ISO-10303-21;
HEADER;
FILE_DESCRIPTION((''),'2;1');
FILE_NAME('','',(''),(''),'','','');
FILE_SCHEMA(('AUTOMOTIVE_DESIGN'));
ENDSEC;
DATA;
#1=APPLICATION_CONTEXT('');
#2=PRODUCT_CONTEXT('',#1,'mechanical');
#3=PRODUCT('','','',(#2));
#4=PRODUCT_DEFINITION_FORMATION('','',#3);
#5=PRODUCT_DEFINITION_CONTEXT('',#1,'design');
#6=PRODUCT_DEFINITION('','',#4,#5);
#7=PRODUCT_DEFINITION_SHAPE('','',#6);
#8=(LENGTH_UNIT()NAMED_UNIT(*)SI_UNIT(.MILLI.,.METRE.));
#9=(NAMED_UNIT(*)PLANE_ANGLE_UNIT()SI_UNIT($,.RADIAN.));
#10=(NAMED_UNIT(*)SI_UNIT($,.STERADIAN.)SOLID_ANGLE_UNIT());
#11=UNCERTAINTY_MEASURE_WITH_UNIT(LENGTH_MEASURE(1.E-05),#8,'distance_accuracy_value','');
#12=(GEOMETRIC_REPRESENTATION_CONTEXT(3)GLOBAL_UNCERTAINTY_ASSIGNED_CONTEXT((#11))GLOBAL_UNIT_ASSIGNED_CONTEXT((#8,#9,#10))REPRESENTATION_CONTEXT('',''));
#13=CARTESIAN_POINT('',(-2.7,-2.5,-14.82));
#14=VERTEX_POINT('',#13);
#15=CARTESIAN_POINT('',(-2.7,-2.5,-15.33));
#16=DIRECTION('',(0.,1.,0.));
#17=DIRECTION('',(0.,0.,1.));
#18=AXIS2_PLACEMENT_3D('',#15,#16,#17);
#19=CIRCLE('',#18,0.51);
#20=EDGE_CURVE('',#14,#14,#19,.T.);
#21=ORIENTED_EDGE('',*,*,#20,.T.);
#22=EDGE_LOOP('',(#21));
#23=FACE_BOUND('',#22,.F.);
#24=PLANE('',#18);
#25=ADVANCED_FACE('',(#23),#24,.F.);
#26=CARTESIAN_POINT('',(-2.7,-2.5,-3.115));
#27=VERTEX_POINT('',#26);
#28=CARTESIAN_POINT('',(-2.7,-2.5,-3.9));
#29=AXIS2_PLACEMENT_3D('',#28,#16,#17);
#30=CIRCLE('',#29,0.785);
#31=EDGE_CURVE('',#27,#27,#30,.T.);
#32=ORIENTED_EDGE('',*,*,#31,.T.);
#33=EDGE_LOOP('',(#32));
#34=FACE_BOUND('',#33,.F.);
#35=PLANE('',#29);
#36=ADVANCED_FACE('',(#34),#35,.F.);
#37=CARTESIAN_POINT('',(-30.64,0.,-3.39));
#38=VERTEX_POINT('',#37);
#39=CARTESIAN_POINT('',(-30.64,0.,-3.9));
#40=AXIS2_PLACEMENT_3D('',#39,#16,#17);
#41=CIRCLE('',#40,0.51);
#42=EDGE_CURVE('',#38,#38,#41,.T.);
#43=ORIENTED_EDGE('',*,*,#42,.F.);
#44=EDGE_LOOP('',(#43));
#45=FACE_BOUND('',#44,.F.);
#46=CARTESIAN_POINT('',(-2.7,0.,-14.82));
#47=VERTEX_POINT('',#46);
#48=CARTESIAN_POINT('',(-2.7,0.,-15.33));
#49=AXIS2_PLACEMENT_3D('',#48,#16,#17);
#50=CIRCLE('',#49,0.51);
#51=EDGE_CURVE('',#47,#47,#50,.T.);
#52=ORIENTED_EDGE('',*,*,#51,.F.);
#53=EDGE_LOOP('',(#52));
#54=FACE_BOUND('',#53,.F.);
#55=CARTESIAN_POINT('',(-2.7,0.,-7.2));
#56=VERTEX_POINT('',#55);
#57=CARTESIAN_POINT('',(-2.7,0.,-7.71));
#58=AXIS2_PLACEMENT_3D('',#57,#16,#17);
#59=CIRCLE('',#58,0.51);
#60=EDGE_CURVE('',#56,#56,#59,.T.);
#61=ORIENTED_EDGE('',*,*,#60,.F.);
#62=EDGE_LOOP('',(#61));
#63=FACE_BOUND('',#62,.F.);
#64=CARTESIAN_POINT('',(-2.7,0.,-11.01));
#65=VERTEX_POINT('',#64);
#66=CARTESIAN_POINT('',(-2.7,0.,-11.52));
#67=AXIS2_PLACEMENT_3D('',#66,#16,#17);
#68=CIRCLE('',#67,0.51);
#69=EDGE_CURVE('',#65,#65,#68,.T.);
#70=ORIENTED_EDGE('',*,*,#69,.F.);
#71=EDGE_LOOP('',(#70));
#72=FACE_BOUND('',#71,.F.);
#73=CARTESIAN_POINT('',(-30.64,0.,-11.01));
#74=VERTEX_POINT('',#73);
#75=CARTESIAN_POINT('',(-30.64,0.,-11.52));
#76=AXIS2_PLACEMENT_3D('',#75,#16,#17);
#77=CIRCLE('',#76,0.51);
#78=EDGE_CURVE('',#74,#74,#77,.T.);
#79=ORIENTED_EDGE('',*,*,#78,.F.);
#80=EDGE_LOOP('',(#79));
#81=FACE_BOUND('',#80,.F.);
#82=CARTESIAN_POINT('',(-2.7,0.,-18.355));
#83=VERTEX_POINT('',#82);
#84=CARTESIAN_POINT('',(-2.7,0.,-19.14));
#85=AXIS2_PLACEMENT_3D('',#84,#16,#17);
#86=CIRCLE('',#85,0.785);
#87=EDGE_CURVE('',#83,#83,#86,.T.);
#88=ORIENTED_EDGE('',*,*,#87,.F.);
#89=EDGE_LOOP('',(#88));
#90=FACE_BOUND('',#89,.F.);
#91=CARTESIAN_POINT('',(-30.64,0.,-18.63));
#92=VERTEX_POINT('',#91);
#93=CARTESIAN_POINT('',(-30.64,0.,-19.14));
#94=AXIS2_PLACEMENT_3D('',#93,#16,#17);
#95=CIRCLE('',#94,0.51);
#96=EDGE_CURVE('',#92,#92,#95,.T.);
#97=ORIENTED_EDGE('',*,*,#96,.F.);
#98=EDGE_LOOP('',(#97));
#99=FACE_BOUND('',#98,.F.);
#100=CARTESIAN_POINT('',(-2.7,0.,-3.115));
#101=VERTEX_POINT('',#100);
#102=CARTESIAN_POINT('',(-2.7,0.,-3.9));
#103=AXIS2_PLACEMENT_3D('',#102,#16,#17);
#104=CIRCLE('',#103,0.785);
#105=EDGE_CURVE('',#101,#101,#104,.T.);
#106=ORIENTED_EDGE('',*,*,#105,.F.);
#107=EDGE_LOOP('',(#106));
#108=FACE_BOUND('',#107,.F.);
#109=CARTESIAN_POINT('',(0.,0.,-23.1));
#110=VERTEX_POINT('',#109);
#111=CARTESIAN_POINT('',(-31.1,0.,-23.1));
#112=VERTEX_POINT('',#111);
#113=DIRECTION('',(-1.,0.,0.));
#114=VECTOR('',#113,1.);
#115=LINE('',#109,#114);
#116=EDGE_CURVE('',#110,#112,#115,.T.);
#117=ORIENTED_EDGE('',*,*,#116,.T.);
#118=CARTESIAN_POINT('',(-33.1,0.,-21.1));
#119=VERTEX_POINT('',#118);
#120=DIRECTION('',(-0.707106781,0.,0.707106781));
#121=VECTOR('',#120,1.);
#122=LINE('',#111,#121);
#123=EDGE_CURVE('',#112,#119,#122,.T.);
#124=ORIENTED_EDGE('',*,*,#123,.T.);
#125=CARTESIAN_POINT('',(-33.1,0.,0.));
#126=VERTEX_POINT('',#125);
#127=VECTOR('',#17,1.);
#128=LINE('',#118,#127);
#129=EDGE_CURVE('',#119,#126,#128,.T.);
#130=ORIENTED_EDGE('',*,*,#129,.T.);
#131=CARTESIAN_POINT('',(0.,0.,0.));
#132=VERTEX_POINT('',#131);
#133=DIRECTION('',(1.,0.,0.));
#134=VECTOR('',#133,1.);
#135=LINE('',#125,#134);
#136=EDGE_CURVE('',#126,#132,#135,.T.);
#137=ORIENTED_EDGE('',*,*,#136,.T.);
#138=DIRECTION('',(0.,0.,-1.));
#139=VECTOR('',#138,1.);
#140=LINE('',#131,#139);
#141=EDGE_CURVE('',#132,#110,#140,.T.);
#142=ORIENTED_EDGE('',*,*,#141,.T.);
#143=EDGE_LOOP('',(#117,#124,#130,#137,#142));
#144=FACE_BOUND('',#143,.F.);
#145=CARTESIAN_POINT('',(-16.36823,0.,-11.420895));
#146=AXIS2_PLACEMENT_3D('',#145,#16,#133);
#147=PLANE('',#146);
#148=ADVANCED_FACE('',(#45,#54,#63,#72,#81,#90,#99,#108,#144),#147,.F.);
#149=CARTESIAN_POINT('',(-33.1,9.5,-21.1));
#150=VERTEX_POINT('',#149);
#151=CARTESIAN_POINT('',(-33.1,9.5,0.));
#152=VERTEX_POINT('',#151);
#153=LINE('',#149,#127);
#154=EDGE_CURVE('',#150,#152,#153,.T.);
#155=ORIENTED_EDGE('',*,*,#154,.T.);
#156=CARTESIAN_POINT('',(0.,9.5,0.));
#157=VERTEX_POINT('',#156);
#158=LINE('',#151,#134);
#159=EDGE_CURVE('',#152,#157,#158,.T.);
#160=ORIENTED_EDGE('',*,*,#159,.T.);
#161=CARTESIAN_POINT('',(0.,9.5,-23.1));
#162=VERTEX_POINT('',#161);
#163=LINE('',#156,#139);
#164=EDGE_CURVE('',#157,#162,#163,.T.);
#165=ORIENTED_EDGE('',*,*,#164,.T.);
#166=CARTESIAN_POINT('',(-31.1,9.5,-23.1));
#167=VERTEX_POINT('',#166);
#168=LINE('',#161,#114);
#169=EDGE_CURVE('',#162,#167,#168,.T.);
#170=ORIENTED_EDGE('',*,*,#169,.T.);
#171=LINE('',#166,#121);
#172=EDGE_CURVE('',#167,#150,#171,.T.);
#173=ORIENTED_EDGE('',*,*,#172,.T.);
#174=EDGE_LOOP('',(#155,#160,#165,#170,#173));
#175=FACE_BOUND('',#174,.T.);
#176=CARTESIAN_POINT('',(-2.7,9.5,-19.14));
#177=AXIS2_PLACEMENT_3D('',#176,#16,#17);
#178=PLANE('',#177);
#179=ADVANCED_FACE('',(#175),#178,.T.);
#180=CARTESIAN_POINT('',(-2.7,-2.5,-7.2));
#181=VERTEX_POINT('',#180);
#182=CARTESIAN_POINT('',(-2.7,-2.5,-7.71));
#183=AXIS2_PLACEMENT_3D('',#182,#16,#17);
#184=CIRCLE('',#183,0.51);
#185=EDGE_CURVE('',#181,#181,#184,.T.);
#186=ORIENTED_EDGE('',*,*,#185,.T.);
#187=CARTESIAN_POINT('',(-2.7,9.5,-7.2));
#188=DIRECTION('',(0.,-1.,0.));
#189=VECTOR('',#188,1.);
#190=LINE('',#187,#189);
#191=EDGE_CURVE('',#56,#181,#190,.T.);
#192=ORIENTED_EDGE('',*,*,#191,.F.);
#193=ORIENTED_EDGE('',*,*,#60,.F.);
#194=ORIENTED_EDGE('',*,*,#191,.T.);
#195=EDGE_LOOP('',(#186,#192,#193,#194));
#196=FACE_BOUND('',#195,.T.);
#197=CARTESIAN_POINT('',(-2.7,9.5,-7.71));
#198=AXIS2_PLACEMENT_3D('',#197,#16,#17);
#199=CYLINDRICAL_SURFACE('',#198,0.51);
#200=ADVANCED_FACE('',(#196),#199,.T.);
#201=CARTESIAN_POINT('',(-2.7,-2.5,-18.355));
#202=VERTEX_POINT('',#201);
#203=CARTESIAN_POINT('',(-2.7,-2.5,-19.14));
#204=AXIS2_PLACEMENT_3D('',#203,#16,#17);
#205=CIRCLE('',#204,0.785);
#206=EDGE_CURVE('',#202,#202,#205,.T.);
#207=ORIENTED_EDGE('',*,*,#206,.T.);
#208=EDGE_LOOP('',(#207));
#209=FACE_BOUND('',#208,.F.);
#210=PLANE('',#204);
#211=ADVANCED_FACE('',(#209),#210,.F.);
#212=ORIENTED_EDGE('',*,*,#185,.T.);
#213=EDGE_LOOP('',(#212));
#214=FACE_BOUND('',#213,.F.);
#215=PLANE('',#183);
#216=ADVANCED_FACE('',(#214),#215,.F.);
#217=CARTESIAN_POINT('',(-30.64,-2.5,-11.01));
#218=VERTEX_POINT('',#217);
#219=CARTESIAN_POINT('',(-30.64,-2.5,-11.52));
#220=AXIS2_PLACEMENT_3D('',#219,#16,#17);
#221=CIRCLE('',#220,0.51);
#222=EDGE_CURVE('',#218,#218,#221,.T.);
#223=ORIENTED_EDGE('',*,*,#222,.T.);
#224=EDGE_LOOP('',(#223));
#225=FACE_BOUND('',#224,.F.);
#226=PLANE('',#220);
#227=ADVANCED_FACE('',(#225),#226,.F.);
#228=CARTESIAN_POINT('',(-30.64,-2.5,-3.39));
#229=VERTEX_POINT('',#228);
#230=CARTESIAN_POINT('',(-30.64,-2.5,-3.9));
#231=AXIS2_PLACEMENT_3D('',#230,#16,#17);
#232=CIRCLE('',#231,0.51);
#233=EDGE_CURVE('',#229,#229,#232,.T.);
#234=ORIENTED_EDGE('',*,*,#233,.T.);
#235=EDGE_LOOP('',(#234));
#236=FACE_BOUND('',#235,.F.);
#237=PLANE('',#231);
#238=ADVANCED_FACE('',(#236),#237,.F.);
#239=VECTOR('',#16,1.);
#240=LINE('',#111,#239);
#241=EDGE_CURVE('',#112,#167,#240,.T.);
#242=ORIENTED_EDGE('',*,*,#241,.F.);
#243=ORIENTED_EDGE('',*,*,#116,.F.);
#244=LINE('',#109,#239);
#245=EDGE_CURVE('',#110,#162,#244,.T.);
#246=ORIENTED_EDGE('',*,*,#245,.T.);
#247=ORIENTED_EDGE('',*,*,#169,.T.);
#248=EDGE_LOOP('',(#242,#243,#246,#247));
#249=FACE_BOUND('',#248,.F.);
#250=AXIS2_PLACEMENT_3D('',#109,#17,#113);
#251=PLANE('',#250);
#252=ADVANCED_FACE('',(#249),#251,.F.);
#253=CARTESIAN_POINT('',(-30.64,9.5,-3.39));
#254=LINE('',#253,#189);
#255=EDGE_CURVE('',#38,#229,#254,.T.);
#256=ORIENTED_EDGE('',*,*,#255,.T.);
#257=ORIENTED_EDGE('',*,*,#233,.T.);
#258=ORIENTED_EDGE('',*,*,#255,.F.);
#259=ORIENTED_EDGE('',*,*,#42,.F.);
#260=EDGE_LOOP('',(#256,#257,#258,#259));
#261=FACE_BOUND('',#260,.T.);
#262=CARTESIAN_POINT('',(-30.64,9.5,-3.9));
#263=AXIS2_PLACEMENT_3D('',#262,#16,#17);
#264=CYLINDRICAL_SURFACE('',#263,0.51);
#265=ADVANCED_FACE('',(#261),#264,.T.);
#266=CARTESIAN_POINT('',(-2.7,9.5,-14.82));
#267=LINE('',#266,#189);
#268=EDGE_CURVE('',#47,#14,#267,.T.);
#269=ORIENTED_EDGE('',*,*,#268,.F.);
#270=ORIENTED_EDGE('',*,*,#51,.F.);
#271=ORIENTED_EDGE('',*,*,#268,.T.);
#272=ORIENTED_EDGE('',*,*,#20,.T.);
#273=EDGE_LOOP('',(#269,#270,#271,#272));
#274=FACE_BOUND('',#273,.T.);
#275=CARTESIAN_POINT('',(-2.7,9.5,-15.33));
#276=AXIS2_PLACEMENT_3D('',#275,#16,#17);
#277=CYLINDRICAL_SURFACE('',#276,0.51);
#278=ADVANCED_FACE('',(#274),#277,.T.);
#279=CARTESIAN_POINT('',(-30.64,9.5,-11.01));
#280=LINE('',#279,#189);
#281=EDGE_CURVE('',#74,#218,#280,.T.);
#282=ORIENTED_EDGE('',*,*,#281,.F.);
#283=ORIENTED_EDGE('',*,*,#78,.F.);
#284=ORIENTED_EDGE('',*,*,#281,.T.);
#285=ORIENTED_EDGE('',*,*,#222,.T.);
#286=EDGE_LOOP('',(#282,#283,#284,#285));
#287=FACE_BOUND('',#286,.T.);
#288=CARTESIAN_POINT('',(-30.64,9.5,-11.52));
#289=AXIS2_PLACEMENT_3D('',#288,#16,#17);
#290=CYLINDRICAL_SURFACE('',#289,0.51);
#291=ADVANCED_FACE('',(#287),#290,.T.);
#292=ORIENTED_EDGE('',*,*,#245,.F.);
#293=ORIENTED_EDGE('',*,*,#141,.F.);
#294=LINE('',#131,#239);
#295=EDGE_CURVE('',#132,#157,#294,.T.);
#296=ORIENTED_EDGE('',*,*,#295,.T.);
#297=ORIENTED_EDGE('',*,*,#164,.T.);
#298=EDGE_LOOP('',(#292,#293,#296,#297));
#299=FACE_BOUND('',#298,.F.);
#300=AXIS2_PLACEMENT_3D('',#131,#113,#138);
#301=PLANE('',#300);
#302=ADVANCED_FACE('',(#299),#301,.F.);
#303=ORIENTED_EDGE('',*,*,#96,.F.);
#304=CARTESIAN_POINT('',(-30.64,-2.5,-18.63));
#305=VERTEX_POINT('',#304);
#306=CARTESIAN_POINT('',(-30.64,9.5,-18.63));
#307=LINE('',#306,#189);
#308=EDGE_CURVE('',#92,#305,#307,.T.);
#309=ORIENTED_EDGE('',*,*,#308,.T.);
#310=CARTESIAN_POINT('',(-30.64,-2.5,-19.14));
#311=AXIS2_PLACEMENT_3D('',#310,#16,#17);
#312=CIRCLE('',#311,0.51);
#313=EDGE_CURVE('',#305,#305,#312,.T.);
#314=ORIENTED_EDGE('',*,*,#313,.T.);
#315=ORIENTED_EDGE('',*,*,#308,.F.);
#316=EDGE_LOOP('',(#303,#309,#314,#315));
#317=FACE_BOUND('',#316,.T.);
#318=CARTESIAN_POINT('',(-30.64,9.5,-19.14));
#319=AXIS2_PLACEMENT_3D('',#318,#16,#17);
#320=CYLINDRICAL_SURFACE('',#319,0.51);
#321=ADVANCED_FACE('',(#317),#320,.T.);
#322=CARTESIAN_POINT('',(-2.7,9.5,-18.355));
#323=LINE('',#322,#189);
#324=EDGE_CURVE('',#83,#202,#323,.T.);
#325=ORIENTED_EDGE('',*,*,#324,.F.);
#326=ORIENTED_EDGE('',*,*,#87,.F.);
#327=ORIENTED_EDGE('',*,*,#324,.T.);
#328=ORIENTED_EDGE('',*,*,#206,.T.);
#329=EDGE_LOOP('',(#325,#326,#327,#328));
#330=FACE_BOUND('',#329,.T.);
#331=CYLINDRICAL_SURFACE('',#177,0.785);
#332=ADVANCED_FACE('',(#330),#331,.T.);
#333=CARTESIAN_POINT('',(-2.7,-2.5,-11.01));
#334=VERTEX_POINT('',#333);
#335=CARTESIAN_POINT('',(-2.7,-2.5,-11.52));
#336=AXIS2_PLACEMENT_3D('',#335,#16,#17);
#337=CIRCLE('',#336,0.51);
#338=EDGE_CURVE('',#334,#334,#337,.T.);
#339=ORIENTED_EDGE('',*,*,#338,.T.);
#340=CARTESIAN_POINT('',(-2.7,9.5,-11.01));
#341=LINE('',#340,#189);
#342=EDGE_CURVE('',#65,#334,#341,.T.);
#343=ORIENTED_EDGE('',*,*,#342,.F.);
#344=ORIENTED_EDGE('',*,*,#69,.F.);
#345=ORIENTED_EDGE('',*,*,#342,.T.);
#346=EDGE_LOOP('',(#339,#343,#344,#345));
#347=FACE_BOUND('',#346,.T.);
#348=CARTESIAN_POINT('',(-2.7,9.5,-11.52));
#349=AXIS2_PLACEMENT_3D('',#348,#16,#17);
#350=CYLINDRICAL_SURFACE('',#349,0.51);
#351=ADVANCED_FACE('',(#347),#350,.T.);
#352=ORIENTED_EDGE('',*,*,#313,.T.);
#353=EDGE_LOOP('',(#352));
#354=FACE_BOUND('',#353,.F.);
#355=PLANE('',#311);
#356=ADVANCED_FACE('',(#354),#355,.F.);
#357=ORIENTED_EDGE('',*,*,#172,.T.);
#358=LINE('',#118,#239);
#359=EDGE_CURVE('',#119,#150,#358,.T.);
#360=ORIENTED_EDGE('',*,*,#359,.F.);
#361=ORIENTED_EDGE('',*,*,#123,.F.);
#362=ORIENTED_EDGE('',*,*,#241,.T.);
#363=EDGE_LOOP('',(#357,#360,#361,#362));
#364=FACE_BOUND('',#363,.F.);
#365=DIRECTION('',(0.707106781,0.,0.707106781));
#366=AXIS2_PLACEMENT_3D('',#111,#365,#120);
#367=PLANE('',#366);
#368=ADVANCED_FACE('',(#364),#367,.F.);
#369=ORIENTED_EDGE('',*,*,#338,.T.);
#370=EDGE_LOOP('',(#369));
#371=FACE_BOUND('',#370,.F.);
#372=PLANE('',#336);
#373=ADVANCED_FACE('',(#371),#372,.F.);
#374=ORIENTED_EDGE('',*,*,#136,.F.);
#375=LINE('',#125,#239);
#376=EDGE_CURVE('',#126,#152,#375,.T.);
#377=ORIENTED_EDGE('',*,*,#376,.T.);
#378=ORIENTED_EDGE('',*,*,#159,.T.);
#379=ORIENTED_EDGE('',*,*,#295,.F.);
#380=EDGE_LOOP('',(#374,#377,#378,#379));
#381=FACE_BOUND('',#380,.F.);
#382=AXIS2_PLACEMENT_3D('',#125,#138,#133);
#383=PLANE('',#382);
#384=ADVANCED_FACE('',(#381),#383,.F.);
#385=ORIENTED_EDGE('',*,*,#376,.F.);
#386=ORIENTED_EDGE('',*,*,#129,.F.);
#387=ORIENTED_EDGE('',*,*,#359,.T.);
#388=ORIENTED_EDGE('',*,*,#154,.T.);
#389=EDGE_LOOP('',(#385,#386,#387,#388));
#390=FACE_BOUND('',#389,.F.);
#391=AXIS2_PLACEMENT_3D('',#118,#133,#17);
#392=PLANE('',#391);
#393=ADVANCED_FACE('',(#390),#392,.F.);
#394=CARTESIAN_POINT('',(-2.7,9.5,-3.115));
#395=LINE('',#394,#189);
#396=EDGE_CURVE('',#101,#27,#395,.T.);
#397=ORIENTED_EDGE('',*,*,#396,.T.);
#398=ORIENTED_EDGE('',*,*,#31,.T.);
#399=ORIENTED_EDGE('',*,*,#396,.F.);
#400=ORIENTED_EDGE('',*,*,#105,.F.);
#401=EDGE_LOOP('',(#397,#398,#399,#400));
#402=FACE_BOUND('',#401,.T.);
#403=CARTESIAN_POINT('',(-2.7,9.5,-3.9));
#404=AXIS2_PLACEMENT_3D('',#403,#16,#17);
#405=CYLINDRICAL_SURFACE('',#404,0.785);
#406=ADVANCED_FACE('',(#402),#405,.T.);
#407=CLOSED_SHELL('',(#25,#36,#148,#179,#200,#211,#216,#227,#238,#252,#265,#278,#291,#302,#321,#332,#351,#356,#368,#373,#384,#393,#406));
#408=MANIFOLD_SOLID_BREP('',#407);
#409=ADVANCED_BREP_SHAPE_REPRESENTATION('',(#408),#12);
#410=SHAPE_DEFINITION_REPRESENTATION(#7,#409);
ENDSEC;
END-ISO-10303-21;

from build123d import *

# Parameters (mm, degrees)
BOSS_EXTRUDE1_DEPTH = 9.5
SKETCH4_R           = 0.785
SKETCH4_R_2         = 0.51
BOSS_EXTRUDE2_DEPTH = 12


with BuildPart() as part:
    # Sketch1 → Boss-Extrude1 (new body)
    with BuildSketch(Plane(origin=(0, 0, 0), x_dir=(1, 0, 0), z_dir=(0, 1, 0))):
        Polygon((-31.1, 23.1), (-33.1, 21.1), (-33.1, 0), (0, 0), (0, 23.1), align=None)
    extrude(amount=BOSS_EXTRUDE1_DEPTH)

    # Sketch4 → Boss-Extrude2 (add)
    with BuildSketch(Plane(origin=(0, 9.5, 0), x_dir=(1, 0, 0), z_dir=(0, 1, 0))):
        with Locations(Location((-2.7, 19.14, 0), (0, 0, 270))):
            Circle(SKETCH4_R)
        with Locations((-2.7, 19.14)):
            Circle(SKETCH4_R_2, mode=Mode.SUBTRACT)
        with Locations((-2.7, 19.14)):
            Circle(SKETCH4_R_2)
        with Locations(Location((-2.7, 15.33, 0), (0, 0, 270))):
            Circle(SKETCH4_R_2)
        with Locations(Location((-2.7, 3.9, 0), (0, 0, 270))):
            Circle(SKETCH4_R)
        with Locations((-2.7, 3.9)):
            Circle(SKETCH4_R_2, mode=Mode.SUBTRACT)
        with Locations((-2.7, 3.9)):
            Circle(SKETCH4_R_2)
        with Locations(Location((-2.7, 7.71, 0), (0, 0, 270))):
            Circle(SKETCH4_R_2)
        with Locations(Location((-2.7, 11.52, 0), (0, 0, 270))):
            Circle(SKETCH4_R_2)
        with Locations(Location((-30.64, 3.9, 0), (0, 0, 270))):
            Circle(SKETCH4_R_2)
        with Locations(Location((-30.64, 19.14, 0), (0, 0, 270))):
            Circle(SKETCH4_R_2)
        with Locations(Location((-30.64, 11.52, 0), (0, 0, 270))):
            Circle(SKETCH4_R_2)
    extrude(amount=-BOSS_EXTRUDE2_DEPTH)


solid = part.part
